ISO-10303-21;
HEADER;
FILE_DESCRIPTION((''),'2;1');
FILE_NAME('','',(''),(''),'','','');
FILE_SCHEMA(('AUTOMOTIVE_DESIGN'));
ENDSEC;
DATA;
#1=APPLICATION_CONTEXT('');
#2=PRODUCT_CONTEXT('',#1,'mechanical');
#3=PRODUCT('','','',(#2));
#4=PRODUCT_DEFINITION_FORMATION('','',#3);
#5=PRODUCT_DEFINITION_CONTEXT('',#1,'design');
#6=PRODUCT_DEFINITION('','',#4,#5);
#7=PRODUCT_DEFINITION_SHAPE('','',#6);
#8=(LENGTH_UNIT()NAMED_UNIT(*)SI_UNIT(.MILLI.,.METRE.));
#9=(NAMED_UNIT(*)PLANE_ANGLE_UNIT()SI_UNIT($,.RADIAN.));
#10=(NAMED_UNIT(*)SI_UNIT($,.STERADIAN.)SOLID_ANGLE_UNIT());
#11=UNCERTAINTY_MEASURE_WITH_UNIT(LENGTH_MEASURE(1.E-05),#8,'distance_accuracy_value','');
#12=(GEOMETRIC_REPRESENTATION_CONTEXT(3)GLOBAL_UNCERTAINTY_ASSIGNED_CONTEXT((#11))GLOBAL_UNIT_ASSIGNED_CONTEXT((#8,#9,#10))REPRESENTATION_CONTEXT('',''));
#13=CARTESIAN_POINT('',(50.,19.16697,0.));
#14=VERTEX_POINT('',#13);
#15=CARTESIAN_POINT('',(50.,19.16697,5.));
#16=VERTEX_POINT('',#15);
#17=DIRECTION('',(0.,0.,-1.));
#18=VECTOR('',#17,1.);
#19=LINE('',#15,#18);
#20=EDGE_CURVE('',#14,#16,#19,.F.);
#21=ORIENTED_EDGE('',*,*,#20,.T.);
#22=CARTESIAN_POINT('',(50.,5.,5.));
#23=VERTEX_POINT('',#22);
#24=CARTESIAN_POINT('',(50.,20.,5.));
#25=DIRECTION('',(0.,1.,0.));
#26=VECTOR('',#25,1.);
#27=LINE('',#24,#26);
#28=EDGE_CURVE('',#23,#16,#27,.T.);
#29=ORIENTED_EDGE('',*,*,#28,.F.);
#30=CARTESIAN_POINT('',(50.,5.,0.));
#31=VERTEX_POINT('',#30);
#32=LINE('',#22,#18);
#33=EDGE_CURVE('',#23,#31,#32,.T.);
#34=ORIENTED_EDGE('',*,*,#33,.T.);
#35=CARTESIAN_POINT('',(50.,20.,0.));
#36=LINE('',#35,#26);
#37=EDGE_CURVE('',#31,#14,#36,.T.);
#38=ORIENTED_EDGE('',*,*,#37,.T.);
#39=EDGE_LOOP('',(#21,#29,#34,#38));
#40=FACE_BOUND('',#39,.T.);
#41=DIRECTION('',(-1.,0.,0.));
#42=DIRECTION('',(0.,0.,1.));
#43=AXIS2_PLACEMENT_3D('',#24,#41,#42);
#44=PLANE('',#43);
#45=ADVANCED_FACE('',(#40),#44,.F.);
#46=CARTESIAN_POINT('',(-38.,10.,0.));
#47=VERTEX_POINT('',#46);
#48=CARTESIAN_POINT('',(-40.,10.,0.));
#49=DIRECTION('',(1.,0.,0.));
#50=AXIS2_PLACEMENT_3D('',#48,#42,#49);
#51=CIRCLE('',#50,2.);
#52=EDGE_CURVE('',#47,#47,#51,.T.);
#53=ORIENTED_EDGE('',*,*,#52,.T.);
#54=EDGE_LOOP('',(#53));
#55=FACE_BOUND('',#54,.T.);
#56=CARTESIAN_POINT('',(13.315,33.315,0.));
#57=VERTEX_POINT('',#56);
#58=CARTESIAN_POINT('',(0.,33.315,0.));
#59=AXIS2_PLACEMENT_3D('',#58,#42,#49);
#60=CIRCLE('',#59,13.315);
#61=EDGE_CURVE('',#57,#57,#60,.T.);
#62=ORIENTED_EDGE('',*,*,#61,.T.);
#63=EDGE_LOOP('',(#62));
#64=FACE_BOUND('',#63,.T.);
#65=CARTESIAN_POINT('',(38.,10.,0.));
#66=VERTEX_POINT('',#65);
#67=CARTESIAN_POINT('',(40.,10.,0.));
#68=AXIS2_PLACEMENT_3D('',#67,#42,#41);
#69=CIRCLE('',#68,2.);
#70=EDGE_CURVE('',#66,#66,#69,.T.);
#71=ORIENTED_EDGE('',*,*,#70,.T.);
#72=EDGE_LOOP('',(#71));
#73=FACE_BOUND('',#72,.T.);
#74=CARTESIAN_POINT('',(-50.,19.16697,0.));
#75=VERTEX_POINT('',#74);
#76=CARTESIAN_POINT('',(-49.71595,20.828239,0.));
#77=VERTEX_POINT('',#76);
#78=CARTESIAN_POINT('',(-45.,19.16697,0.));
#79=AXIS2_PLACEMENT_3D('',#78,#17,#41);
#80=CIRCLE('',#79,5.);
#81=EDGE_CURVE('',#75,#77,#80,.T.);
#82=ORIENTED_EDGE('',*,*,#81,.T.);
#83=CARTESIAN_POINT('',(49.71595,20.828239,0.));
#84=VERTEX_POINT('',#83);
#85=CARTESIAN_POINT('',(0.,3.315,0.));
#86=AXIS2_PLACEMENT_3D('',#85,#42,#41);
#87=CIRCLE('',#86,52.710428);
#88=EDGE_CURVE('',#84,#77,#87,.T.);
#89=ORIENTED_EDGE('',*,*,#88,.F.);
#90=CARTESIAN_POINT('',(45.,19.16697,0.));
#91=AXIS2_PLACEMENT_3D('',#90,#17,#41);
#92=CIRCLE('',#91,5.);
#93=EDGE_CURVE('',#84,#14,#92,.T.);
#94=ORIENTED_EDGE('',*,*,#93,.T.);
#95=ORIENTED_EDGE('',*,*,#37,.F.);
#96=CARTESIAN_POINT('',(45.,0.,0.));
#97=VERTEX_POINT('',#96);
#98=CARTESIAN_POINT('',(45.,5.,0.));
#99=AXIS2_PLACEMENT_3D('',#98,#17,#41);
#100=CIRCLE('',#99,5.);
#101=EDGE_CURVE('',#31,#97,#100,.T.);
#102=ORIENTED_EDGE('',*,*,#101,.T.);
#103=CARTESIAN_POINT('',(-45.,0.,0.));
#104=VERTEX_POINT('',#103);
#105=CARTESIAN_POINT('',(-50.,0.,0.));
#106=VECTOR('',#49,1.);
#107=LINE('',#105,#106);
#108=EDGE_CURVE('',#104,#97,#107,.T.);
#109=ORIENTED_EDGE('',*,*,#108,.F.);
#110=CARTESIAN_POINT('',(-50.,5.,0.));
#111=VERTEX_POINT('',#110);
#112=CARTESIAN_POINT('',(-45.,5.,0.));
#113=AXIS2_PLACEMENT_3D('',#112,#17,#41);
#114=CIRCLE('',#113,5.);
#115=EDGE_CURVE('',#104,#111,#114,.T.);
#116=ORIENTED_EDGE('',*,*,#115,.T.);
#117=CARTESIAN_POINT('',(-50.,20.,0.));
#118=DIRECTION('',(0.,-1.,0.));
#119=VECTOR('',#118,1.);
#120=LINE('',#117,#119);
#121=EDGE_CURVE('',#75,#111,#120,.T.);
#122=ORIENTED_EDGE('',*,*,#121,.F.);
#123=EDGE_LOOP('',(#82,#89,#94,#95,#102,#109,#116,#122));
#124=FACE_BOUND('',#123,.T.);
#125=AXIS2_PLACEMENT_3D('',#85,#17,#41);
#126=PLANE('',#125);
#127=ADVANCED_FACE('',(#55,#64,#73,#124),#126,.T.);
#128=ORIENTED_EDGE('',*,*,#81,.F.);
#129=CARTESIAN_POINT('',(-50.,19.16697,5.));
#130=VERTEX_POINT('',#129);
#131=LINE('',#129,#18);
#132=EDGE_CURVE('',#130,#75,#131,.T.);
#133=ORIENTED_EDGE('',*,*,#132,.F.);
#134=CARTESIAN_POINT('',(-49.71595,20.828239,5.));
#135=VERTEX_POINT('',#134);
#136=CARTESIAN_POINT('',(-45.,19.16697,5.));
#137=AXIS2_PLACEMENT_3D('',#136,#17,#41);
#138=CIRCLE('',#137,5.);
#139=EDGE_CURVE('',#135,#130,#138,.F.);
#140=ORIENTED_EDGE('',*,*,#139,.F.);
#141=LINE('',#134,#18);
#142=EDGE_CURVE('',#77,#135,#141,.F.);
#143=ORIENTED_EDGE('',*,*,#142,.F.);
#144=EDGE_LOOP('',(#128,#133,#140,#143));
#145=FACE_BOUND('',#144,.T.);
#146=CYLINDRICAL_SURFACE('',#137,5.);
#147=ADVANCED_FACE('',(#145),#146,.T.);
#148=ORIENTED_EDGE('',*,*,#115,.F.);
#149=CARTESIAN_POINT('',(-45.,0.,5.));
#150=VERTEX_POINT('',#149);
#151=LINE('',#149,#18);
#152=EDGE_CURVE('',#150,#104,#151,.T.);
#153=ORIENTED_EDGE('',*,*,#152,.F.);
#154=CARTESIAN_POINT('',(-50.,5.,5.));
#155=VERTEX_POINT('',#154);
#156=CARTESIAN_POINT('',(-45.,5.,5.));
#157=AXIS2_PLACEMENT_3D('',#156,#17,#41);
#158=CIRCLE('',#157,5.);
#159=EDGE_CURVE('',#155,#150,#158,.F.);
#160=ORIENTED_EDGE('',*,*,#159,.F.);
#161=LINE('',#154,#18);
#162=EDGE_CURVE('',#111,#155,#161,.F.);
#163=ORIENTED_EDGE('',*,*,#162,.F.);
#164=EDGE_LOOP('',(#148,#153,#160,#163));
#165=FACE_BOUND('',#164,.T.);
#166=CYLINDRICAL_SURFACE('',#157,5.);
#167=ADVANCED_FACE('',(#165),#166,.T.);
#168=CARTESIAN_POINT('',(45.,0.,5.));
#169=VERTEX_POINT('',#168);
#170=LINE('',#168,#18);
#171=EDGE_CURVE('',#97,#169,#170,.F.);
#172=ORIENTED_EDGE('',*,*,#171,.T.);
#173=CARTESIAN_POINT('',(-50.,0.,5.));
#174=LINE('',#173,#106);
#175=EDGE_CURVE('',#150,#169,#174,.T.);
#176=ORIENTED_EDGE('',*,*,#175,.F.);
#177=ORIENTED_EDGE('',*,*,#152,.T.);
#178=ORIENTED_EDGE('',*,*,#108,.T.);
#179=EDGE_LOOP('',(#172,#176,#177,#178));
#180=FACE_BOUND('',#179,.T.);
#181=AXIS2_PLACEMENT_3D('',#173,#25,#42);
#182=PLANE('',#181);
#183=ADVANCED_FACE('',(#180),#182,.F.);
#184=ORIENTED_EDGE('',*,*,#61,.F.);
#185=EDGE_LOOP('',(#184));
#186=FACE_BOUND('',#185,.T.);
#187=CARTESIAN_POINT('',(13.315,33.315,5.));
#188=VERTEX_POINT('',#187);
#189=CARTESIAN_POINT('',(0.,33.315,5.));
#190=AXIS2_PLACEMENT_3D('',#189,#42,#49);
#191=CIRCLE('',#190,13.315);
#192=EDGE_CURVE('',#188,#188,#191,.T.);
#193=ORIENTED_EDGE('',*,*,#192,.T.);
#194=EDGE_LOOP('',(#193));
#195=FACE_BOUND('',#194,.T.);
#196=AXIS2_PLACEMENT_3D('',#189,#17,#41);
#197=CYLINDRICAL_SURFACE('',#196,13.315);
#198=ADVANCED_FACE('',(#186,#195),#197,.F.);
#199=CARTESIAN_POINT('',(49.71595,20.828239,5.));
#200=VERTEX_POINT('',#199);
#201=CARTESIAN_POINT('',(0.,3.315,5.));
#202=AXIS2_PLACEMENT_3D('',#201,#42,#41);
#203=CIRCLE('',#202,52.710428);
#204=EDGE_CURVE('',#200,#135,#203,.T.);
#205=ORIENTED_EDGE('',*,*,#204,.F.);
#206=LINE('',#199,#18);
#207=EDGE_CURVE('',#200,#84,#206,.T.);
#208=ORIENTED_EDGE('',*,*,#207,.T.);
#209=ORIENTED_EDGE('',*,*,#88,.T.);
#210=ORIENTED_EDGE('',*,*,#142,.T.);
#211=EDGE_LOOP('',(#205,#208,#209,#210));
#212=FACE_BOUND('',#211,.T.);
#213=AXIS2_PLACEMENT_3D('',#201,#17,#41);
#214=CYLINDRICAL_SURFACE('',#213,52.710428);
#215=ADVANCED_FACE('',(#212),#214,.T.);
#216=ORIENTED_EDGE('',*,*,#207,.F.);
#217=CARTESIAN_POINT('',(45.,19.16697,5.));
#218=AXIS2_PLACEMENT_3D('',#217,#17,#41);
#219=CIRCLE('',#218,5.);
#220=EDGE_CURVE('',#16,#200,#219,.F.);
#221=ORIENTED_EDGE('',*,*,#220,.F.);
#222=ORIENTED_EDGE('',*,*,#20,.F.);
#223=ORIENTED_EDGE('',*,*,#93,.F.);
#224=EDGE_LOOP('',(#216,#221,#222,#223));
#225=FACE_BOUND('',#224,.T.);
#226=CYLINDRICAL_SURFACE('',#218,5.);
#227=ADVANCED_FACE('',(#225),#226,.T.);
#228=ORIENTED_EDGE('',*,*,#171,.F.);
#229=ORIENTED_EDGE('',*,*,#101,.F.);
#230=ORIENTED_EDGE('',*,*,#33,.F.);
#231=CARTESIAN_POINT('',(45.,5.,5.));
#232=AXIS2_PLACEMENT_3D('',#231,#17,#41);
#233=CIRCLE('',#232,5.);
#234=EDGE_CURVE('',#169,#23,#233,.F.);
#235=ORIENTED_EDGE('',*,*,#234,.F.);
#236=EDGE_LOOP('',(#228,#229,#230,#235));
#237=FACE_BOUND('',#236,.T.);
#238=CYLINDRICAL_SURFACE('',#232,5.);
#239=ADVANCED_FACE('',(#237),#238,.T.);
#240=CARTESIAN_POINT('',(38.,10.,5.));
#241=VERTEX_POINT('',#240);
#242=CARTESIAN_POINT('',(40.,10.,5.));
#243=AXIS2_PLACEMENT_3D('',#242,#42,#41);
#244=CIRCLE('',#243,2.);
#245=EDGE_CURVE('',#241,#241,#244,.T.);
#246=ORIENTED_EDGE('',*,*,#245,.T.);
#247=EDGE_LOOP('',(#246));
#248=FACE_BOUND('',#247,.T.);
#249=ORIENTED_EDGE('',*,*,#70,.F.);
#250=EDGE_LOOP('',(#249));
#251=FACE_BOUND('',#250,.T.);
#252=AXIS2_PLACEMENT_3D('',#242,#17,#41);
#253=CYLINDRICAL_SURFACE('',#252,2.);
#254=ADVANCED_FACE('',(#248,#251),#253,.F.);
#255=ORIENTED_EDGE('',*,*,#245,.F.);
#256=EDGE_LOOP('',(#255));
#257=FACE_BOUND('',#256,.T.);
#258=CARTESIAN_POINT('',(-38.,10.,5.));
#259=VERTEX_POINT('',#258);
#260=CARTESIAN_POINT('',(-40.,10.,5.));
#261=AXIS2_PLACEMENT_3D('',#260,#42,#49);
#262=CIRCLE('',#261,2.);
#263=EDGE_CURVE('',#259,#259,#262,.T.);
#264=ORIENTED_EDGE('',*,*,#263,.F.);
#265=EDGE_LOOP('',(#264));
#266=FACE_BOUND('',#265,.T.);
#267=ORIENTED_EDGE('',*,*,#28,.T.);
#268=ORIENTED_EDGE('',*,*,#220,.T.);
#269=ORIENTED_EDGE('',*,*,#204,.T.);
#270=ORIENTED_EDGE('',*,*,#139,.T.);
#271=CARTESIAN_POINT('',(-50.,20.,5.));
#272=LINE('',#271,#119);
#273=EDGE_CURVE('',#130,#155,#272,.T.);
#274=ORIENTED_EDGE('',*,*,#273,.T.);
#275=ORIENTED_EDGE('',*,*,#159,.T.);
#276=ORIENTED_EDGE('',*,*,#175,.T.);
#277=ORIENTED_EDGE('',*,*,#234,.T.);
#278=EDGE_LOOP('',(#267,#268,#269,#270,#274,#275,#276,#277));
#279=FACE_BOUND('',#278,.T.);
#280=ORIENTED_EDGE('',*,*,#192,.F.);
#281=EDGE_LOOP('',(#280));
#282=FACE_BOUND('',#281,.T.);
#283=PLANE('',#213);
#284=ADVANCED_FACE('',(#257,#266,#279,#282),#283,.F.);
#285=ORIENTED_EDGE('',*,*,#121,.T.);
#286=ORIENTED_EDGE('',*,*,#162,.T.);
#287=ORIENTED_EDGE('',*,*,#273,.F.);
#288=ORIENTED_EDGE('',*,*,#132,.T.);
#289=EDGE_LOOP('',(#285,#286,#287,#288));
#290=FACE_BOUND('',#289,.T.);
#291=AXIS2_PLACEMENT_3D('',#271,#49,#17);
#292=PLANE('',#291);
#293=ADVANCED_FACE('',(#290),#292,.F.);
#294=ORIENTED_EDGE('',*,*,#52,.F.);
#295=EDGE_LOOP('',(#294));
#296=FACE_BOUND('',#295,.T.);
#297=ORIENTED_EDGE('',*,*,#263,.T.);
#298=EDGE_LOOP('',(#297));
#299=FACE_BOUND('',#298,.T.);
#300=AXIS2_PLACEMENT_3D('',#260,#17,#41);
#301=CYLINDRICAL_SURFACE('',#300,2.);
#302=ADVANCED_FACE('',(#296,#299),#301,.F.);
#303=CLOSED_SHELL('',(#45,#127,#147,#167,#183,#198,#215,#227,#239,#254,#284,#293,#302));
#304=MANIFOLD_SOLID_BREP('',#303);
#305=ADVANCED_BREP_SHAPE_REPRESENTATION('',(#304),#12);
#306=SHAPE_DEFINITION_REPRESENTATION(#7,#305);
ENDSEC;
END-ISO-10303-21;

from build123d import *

# Parameters (mm, degrees)
ESQUISSE2_R        = 2
ESQUISSE2_R_2      = 13.315
BOSS_EXTRU_1_DEPTH = 5
CONG_1_R           = 5


with BuildPart() as part:
    # Esquisse2 → Boss.-Extru.1 (new body)
    with BuildSketch(Plane.XY):
        with BuildLine():
            Line((-50, 20), (-50, 0))
            Line((-50, 0), (50, 0))
            Line((50, 0), (50, 20))
            ThreePointArc((50, 20), (0, 56.025428048), (-50, 20))
        make_face()
        with Locations((-40, 10)):
            Circle(ESQUISSE2_R, mode=Mode.SUBTRACT)
        with Locations(Location((40, 10, 0), (0, 0, 180))):
            Circle(ESQUISSE2_R, mode=Mode.SUBTRACT)
        with Locations((0, 33.315)):
            Circle(ESQUISSE2_R_2, mode=Mode.SUBTRACT)
    extrude(amount=BOSS_EXTRU_1_DEPTH)

    # Congé1
    cong_1_edges = [part.edges().sort_by_distance(p)[0] for p in [
        (50, 20, 2.5),
        (50, 0, 2.5),
        (-50, 0, 2.5),
        (-50, 20, 2.5),
    ]]
    fillet(cong_1_edges, radius=CONG_1_R)


solid = part.part
